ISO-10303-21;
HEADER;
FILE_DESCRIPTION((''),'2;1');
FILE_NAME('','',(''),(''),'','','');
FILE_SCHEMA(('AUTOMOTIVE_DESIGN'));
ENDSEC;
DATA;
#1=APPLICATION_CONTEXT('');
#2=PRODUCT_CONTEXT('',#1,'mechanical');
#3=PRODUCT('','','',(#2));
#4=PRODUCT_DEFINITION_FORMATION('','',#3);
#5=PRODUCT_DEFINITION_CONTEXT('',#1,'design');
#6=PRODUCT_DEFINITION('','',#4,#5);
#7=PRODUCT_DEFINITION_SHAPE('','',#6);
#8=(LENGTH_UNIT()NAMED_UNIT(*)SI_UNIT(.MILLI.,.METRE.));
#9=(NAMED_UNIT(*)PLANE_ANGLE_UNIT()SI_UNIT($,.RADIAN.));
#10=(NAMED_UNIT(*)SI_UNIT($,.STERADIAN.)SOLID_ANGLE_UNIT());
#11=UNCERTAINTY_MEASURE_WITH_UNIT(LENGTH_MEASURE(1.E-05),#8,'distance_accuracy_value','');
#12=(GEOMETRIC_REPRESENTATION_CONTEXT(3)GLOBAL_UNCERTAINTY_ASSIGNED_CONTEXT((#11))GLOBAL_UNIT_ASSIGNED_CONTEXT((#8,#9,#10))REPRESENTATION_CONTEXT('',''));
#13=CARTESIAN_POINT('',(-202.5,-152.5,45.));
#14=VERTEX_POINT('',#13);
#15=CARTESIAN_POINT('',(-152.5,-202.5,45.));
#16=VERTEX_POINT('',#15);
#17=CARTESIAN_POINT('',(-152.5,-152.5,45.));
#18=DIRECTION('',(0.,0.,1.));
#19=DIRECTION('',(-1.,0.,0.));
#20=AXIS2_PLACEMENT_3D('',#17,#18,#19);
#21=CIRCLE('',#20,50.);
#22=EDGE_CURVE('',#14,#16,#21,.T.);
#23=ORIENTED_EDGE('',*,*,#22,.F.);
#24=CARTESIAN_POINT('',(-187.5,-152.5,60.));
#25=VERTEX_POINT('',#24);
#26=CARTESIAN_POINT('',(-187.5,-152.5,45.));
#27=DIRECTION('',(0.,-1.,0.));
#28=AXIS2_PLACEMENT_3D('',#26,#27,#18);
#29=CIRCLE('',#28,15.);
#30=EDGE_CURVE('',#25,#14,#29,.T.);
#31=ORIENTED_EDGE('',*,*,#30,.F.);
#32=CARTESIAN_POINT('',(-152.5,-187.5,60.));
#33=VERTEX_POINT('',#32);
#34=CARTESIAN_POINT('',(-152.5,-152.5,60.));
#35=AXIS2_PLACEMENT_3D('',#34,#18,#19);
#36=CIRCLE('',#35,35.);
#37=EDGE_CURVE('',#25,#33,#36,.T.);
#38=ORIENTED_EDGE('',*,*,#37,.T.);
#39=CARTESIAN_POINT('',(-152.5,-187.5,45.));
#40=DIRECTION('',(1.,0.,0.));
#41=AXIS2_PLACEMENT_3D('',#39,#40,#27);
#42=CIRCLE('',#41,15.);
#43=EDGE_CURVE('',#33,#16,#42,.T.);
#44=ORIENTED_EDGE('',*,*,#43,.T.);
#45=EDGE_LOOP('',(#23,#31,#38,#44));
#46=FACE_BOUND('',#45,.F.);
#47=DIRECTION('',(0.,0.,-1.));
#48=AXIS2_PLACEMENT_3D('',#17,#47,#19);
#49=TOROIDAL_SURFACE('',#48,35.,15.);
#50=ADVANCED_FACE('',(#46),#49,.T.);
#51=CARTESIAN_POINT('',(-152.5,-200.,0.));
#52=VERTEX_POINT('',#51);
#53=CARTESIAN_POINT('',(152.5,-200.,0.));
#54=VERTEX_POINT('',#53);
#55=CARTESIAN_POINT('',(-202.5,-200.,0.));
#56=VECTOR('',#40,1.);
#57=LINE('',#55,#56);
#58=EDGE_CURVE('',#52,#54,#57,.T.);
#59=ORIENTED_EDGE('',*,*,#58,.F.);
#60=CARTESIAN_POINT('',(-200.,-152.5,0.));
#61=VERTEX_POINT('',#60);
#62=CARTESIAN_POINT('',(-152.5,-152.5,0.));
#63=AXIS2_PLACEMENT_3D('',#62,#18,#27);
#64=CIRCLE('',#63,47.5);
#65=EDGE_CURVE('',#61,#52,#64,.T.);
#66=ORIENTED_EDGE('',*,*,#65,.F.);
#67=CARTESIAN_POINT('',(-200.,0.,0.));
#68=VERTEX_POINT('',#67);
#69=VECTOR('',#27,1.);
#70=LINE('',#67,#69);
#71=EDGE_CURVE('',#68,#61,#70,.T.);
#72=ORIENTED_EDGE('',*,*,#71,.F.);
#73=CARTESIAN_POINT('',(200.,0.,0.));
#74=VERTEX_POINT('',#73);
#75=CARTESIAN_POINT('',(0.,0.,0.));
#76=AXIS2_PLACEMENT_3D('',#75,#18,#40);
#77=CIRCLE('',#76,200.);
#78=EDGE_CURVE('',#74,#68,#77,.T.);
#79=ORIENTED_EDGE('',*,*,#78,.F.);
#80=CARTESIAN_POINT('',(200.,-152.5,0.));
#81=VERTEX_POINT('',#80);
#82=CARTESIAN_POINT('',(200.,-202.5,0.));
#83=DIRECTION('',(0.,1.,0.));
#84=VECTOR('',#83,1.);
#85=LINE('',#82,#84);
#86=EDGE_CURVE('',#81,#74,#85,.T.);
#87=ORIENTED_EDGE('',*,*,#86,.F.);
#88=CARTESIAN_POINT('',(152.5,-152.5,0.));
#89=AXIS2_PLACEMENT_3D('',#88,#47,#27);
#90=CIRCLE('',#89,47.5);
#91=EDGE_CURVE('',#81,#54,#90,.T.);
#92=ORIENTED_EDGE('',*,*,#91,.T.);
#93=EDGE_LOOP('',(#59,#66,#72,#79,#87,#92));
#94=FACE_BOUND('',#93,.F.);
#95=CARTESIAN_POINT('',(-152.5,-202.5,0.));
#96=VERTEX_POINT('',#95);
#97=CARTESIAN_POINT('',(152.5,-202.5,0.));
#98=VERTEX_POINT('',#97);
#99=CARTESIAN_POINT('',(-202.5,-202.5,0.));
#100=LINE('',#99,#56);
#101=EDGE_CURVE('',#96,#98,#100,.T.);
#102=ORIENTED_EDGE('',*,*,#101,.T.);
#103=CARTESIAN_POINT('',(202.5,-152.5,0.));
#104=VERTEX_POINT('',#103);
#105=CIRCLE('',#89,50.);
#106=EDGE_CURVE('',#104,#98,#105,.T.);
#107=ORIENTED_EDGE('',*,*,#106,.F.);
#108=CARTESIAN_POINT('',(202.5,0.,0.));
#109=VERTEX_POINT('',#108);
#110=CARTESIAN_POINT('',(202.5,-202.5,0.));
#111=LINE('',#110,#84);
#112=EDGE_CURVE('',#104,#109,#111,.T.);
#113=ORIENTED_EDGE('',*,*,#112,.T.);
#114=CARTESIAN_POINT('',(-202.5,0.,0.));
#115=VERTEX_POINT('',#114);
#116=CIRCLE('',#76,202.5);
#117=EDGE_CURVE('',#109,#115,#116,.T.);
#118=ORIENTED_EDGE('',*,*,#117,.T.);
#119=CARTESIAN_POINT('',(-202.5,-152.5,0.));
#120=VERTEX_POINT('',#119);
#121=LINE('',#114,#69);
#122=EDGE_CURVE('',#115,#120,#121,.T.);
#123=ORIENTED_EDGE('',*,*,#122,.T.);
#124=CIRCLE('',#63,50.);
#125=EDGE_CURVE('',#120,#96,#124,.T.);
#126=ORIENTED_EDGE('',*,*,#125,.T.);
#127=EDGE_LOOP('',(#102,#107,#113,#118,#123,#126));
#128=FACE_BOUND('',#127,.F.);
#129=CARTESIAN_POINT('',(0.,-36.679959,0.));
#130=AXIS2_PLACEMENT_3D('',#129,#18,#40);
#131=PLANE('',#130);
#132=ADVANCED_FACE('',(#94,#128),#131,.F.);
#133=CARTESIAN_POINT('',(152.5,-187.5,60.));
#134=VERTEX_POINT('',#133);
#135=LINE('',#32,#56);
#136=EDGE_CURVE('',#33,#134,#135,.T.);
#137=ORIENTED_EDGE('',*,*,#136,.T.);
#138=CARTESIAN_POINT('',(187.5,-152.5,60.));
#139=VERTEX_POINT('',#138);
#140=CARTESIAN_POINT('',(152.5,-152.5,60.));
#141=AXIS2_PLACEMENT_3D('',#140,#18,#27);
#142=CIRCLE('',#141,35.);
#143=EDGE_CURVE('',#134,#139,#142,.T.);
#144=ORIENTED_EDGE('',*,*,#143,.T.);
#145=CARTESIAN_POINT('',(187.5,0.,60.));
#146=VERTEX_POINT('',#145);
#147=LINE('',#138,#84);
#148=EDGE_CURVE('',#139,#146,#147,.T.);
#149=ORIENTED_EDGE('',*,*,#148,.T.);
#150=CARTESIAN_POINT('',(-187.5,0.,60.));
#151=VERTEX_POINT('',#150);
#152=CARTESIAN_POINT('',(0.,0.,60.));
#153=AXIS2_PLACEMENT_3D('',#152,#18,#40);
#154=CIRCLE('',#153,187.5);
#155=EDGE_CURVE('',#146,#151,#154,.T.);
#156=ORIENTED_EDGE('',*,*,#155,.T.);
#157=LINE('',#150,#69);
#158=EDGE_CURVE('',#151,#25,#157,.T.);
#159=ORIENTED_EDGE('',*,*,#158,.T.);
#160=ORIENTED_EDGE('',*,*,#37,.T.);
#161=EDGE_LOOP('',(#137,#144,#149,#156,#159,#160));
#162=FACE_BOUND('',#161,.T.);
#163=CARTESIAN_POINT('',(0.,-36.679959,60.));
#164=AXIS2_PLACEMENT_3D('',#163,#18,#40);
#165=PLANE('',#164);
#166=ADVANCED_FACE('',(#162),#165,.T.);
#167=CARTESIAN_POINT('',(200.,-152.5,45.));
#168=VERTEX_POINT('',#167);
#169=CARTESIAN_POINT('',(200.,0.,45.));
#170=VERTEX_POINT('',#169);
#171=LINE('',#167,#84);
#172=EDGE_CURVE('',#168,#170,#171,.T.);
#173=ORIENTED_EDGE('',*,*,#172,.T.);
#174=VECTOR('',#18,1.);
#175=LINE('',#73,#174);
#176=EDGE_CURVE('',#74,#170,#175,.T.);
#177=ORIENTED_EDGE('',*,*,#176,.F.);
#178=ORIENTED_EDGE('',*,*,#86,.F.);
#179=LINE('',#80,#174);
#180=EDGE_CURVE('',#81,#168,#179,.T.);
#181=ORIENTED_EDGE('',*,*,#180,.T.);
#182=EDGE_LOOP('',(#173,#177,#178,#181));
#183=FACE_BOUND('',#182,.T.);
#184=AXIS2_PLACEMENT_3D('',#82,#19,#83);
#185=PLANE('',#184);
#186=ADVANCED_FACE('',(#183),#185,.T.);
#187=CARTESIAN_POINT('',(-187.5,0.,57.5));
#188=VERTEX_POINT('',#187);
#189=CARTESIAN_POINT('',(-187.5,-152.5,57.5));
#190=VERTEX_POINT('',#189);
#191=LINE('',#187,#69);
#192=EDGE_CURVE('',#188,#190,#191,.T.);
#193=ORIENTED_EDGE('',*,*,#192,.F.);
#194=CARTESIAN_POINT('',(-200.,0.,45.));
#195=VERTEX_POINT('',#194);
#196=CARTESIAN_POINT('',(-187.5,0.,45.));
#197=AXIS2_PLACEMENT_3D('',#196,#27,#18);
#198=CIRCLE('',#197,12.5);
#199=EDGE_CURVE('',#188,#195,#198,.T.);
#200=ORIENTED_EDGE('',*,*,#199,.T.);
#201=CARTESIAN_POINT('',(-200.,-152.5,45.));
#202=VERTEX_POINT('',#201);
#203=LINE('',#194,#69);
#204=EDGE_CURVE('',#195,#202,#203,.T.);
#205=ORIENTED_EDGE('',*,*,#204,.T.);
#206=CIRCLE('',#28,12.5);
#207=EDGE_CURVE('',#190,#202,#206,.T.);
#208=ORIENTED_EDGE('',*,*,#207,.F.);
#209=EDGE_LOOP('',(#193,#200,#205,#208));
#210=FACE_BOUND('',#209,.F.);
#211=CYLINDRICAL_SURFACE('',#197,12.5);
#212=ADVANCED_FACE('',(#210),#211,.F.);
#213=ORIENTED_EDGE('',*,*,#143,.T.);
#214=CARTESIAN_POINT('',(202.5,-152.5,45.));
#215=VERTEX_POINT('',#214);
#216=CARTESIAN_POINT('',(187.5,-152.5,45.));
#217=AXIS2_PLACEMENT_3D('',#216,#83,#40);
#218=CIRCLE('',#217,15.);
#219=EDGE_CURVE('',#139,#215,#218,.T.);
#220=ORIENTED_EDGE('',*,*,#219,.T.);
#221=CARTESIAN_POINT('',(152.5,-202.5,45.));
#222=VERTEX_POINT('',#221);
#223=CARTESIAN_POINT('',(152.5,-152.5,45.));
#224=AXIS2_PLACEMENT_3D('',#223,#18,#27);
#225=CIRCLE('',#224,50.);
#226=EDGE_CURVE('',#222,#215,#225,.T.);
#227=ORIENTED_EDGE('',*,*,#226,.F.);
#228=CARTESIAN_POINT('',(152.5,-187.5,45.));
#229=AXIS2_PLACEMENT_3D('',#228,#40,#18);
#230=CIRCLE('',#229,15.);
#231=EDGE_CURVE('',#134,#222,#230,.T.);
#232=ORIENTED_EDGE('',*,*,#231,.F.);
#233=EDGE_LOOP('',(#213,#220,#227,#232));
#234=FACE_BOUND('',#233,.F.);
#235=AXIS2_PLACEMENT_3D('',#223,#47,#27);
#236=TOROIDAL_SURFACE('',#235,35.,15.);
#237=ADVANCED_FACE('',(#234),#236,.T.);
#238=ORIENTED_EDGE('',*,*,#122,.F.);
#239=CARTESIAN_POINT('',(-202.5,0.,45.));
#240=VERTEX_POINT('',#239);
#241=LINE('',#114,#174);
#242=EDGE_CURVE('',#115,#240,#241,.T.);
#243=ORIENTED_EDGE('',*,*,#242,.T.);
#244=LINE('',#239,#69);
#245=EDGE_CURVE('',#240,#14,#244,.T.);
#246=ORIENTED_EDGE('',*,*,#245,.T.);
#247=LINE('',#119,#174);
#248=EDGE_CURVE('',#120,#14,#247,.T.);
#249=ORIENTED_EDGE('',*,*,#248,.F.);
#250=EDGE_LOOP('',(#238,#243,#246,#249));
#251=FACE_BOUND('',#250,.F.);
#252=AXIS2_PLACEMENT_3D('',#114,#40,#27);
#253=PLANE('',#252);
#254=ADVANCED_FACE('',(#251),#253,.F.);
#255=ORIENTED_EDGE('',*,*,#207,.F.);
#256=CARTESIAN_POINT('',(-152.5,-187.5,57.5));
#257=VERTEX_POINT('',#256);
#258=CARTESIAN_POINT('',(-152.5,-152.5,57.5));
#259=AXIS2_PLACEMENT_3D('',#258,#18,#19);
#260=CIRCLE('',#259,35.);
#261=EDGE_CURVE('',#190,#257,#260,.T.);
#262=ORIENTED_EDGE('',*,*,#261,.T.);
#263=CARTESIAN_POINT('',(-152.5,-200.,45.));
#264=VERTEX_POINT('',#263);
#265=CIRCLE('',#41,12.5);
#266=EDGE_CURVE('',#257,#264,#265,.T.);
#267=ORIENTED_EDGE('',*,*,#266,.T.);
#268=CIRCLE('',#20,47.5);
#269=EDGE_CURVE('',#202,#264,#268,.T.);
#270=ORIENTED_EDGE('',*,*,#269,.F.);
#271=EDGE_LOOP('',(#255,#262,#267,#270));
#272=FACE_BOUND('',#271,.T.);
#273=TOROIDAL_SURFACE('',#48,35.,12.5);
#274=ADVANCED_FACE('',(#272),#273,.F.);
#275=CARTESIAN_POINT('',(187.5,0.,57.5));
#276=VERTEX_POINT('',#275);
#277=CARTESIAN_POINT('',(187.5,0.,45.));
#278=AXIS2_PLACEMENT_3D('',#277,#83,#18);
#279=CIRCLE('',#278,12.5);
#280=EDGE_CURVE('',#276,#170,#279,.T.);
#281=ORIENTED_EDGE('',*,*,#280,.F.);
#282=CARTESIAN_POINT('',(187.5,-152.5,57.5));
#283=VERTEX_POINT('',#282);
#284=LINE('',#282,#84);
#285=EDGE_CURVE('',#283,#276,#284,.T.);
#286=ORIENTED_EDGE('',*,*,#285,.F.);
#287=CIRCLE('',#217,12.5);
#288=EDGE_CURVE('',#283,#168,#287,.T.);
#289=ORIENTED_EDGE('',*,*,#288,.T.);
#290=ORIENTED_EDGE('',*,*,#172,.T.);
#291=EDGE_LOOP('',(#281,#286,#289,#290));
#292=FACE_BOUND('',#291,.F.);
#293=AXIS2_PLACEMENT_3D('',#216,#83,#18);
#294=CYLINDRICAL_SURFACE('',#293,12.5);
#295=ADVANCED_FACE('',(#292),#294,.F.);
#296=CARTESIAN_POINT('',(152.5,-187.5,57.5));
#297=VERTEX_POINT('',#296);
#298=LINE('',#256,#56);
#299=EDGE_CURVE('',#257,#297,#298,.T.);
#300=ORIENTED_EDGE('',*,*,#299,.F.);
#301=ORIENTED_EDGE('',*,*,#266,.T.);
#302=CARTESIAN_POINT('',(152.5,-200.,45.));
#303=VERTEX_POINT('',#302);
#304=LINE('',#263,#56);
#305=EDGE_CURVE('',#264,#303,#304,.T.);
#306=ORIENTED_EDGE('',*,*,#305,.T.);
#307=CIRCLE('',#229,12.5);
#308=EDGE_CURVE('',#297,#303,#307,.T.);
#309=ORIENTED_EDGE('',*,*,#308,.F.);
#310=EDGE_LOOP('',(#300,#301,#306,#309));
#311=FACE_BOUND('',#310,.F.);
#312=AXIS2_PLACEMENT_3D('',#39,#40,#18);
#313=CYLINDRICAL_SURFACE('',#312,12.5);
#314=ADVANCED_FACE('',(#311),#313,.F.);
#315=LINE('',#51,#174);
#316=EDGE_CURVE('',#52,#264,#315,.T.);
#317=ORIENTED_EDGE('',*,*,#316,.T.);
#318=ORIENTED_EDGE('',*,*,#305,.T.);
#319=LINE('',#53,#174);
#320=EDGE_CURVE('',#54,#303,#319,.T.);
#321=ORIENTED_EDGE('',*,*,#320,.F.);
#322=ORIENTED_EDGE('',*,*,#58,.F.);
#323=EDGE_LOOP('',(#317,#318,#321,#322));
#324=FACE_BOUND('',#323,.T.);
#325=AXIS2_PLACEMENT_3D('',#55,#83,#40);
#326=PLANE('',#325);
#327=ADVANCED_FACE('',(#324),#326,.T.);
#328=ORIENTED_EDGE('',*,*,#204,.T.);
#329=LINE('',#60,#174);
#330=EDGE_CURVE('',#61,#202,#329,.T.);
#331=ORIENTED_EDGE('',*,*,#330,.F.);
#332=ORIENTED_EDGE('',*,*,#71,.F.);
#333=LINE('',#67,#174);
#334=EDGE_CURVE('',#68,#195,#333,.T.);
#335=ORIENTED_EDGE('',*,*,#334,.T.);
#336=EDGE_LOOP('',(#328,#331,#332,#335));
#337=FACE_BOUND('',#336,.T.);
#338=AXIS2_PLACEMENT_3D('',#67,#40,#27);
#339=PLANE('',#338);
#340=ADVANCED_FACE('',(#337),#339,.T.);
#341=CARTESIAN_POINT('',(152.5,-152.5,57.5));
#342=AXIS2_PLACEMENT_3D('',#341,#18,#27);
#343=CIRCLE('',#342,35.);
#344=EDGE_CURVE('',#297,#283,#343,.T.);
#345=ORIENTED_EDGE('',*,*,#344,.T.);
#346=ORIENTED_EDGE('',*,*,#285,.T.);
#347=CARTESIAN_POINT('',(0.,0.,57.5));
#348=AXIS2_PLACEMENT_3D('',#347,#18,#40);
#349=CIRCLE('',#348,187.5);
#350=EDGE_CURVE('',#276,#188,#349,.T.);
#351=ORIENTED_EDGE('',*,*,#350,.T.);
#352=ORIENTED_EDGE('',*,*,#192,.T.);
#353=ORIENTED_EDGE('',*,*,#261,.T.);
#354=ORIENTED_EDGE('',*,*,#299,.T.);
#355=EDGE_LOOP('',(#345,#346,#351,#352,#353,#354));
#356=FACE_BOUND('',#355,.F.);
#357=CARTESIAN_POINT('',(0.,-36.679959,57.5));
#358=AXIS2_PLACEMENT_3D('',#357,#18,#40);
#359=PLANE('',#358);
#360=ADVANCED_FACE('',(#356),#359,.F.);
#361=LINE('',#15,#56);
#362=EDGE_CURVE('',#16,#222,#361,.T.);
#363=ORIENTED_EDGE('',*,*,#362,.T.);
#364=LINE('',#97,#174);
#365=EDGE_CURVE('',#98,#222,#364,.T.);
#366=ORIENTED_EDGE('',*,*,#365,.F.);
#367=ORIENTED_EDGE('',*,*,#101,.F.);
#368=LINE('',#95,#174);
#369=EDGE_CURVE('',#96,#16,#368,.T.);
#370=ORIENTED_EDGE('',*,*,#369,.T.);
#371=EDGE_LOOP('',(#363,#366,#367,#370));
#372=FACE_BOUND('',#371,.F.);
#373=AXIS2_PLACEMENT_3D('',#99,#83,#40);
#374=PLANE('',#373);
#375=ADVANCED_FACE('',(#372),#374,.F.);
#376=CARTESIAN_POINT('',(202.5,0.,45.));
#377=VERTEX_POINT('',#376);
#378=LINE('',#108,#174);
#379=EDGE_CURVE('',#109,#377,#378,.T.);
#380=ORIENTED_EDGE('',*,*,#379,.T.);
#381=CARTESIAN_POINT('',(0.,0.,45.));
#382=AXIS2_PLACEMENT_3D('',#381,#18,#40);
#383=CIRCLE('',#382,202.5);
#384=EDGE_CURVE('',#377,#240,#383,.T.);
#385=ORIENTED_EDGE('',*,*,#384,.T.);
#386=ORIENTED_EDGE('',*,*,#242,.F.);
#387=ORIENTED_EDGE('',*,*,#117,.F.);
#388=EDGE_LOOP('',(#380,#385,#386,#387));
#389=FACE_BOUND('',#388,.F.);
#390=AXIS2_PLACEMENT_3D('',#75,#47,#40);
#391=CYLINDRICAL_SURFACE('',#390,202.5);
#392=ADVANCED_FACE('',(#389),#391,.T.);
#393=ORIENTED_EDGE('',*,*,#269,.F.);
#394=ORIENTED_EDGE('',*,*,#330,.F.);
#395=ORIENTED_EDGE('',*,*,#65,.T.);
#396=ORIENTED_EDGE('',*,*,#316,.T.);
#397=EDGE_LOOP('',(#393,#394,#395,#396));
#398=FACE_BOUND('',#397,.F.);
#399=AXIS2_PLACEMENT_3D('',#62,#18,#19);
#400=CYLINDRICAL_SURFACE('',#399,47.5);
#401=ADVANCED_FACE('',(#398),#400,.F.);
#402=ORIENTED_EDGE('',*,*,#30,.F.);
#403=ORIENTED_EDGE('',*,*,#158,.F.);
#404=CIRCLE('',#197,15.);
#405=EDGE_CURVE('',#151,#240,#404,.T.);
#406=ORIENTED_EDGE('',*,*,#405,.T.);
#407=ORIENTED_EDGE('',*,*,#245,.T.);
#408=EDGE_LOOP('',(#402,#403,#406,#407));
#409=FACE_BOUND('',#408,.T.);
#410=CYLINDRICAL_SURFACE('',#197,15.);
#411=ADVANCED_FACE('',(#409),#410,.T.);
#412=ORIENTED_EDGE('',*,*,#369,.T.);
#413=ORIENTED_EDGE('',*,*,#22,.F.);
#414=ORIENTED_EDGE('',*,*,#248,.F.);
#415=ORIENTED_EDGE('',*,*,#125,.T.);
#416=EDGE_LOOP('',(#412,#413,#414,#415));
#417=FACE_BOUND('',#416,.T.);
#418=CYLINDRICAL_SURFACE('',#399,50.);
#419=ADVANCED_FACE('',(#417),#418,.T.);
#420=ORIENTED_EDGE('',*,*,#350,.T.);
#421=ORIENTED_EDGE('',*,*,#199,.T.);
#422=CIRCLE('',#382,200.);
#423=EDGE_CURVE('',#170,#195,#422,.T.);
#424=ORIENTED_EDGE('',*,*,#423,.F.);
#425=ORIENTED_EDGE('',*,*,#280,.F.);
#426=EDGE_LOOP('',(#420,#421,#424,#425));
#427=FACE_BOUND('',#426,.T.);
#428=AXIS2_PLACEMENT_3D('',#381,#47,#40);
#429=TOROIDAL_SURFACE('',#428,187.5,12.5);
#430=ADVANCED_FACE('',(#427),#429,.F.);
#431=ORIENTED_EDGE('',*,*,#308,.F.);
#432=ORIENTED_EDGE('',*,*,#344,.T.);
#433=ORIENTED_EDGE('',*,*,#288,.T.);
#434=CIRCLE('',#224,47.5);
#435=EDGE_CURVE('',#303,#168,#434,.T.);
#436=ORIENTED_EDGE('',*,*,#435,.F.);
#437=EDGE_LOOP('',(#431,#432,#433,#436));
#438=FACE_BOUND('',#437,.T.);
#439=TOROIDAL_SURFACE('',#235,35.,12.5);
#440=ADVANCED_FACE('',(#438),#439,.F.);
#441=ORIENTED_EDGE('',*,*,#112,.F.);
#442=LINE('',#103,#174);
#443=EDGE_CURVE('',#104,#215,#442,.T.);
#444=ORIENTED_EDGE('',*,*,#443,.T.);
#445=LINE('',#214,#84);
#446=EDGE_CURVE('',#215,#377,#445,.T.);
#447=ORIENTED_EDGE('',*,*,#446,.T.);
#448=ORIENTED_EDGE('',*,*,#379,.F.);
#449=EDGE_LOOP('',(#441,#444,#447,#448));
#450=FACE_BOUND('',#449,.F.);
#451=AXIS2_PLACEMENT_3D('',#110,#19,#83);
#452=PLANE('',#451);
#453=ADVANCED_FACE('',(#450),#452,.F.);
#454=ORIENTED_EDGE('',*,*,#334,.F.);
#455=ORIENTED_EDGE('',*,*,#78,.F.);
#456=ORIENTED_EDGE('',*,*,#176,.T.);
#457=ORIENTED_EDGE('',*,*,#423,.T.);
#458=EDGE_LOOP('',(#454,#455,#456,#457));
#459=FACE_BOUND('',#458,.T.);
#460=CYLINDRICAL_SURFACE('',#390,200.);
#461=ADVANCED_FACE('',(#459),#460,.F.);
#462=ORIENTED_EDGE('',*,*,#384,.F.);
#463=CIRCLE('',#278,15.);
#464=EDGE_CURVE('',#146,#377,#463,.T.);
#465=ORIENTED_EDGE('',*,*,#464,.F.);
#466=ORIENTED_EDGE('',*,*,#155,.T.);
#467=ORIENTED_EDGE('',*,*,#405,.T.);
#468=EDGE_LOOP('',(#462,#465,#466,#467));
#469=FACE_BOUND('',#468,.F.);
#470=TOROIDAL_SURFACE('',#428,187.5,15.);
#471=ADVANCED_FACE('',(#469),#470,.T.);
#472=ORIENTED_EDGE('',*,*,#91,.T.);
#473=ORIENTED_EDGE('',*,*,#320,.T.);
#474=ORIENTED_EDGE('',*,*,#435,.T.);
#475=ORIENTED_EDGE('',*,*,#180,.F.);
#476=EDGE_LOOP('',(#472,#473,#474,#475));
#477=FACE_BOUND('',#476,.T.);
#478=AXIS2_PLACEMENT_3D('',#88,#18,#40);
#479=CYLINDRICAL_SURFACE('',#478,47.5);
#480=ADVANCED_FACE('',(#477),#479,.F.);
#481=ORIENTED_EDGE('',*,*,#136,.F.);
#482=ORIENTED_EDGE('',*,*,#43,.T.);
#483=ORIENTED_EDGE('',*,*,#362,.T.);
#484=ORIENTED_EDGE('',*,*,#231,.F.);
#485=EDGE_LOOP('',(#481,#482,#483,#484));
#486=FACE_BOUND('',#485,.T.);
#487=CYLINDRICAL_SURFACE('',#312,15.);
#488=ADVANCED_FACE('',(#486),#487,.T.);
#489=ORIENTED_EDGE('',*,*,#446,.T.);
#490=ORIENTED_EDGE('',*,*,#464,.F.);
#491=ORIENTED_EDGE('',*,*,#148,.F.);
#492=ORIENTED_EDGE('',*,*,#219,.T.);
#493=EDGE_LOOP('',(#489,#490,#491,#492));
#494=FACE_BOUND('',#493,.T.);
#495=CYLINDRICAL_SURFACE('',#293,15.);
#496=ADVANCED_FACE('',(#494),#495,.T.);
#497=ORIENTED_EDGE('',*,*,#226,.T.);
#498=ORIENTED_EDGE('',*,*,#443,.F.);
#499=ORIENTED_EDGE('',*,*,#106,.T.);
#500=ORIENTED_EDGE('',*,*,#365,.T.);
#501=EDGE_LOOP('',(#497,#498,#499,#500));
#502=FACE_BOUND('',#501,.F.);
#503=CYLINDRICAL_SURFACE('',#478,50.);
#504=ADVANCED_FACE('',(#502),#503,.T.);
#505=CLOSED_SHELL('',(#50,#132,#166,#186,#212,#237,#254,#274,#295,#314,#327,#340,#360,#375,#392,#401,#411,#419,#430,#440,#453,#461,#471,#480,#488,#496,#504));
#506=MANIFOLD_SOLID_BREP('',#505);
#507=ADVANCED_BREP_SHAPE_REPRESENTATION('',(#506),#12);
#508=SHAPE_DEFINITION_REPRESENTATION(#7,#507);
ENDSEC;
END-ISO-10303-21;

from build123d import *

# Parameters (mm, degrees)
F1_DEPTH = 60
F2_R     = 50
F3_R     = 15
F4_T     = -2.5


with BuildPart() as f1:
    # F0 (on Top) → F1 (new body)
    with BuildSketch(Plane.XY):
        with BuildLine():
            Line((202.5, -202.5), (202.5, 0))
            ThreePointArc((202.5, 0), (0, 202.5), (-202.5, 0))
            Line((-202.5, 0), (-202.5, -202.5))
            Line((-202.5, -202.5), (202.5, -202.5))
        make_face()
    extrude(amount=F1_DEPTH)

    # F2
    f2_edges = [f1.edges().sort_by_distance(p)[0] for p in [
        (202.5, -202.5, 30),
        (-202.5, -202.5, 30),
    ]]
    fillet(f2_edges, radius=F2_R)

    # F3
    f3_edges = [f1.edges().sort_by_distance(p)[0] for p in [
        (-202.5, -76.25, 60),
        (-187.855339, -187.855339, 60),
        (0, 202.5, 60),
        (0, -202.5, 60),
        (202.5, -76.25, 60),
        (187.855339, -187.855339, 60),
    ]]
    fillet(f3_edges, radius=F3_R)

    # F4
    f4_openings = [f1.faces().sort_by_distance(p)[0] for p in [
        (0, -17.630456, 0),
    ]]
    offset(amount=F4_T, openings=f4_openings)


solid = f1.part
